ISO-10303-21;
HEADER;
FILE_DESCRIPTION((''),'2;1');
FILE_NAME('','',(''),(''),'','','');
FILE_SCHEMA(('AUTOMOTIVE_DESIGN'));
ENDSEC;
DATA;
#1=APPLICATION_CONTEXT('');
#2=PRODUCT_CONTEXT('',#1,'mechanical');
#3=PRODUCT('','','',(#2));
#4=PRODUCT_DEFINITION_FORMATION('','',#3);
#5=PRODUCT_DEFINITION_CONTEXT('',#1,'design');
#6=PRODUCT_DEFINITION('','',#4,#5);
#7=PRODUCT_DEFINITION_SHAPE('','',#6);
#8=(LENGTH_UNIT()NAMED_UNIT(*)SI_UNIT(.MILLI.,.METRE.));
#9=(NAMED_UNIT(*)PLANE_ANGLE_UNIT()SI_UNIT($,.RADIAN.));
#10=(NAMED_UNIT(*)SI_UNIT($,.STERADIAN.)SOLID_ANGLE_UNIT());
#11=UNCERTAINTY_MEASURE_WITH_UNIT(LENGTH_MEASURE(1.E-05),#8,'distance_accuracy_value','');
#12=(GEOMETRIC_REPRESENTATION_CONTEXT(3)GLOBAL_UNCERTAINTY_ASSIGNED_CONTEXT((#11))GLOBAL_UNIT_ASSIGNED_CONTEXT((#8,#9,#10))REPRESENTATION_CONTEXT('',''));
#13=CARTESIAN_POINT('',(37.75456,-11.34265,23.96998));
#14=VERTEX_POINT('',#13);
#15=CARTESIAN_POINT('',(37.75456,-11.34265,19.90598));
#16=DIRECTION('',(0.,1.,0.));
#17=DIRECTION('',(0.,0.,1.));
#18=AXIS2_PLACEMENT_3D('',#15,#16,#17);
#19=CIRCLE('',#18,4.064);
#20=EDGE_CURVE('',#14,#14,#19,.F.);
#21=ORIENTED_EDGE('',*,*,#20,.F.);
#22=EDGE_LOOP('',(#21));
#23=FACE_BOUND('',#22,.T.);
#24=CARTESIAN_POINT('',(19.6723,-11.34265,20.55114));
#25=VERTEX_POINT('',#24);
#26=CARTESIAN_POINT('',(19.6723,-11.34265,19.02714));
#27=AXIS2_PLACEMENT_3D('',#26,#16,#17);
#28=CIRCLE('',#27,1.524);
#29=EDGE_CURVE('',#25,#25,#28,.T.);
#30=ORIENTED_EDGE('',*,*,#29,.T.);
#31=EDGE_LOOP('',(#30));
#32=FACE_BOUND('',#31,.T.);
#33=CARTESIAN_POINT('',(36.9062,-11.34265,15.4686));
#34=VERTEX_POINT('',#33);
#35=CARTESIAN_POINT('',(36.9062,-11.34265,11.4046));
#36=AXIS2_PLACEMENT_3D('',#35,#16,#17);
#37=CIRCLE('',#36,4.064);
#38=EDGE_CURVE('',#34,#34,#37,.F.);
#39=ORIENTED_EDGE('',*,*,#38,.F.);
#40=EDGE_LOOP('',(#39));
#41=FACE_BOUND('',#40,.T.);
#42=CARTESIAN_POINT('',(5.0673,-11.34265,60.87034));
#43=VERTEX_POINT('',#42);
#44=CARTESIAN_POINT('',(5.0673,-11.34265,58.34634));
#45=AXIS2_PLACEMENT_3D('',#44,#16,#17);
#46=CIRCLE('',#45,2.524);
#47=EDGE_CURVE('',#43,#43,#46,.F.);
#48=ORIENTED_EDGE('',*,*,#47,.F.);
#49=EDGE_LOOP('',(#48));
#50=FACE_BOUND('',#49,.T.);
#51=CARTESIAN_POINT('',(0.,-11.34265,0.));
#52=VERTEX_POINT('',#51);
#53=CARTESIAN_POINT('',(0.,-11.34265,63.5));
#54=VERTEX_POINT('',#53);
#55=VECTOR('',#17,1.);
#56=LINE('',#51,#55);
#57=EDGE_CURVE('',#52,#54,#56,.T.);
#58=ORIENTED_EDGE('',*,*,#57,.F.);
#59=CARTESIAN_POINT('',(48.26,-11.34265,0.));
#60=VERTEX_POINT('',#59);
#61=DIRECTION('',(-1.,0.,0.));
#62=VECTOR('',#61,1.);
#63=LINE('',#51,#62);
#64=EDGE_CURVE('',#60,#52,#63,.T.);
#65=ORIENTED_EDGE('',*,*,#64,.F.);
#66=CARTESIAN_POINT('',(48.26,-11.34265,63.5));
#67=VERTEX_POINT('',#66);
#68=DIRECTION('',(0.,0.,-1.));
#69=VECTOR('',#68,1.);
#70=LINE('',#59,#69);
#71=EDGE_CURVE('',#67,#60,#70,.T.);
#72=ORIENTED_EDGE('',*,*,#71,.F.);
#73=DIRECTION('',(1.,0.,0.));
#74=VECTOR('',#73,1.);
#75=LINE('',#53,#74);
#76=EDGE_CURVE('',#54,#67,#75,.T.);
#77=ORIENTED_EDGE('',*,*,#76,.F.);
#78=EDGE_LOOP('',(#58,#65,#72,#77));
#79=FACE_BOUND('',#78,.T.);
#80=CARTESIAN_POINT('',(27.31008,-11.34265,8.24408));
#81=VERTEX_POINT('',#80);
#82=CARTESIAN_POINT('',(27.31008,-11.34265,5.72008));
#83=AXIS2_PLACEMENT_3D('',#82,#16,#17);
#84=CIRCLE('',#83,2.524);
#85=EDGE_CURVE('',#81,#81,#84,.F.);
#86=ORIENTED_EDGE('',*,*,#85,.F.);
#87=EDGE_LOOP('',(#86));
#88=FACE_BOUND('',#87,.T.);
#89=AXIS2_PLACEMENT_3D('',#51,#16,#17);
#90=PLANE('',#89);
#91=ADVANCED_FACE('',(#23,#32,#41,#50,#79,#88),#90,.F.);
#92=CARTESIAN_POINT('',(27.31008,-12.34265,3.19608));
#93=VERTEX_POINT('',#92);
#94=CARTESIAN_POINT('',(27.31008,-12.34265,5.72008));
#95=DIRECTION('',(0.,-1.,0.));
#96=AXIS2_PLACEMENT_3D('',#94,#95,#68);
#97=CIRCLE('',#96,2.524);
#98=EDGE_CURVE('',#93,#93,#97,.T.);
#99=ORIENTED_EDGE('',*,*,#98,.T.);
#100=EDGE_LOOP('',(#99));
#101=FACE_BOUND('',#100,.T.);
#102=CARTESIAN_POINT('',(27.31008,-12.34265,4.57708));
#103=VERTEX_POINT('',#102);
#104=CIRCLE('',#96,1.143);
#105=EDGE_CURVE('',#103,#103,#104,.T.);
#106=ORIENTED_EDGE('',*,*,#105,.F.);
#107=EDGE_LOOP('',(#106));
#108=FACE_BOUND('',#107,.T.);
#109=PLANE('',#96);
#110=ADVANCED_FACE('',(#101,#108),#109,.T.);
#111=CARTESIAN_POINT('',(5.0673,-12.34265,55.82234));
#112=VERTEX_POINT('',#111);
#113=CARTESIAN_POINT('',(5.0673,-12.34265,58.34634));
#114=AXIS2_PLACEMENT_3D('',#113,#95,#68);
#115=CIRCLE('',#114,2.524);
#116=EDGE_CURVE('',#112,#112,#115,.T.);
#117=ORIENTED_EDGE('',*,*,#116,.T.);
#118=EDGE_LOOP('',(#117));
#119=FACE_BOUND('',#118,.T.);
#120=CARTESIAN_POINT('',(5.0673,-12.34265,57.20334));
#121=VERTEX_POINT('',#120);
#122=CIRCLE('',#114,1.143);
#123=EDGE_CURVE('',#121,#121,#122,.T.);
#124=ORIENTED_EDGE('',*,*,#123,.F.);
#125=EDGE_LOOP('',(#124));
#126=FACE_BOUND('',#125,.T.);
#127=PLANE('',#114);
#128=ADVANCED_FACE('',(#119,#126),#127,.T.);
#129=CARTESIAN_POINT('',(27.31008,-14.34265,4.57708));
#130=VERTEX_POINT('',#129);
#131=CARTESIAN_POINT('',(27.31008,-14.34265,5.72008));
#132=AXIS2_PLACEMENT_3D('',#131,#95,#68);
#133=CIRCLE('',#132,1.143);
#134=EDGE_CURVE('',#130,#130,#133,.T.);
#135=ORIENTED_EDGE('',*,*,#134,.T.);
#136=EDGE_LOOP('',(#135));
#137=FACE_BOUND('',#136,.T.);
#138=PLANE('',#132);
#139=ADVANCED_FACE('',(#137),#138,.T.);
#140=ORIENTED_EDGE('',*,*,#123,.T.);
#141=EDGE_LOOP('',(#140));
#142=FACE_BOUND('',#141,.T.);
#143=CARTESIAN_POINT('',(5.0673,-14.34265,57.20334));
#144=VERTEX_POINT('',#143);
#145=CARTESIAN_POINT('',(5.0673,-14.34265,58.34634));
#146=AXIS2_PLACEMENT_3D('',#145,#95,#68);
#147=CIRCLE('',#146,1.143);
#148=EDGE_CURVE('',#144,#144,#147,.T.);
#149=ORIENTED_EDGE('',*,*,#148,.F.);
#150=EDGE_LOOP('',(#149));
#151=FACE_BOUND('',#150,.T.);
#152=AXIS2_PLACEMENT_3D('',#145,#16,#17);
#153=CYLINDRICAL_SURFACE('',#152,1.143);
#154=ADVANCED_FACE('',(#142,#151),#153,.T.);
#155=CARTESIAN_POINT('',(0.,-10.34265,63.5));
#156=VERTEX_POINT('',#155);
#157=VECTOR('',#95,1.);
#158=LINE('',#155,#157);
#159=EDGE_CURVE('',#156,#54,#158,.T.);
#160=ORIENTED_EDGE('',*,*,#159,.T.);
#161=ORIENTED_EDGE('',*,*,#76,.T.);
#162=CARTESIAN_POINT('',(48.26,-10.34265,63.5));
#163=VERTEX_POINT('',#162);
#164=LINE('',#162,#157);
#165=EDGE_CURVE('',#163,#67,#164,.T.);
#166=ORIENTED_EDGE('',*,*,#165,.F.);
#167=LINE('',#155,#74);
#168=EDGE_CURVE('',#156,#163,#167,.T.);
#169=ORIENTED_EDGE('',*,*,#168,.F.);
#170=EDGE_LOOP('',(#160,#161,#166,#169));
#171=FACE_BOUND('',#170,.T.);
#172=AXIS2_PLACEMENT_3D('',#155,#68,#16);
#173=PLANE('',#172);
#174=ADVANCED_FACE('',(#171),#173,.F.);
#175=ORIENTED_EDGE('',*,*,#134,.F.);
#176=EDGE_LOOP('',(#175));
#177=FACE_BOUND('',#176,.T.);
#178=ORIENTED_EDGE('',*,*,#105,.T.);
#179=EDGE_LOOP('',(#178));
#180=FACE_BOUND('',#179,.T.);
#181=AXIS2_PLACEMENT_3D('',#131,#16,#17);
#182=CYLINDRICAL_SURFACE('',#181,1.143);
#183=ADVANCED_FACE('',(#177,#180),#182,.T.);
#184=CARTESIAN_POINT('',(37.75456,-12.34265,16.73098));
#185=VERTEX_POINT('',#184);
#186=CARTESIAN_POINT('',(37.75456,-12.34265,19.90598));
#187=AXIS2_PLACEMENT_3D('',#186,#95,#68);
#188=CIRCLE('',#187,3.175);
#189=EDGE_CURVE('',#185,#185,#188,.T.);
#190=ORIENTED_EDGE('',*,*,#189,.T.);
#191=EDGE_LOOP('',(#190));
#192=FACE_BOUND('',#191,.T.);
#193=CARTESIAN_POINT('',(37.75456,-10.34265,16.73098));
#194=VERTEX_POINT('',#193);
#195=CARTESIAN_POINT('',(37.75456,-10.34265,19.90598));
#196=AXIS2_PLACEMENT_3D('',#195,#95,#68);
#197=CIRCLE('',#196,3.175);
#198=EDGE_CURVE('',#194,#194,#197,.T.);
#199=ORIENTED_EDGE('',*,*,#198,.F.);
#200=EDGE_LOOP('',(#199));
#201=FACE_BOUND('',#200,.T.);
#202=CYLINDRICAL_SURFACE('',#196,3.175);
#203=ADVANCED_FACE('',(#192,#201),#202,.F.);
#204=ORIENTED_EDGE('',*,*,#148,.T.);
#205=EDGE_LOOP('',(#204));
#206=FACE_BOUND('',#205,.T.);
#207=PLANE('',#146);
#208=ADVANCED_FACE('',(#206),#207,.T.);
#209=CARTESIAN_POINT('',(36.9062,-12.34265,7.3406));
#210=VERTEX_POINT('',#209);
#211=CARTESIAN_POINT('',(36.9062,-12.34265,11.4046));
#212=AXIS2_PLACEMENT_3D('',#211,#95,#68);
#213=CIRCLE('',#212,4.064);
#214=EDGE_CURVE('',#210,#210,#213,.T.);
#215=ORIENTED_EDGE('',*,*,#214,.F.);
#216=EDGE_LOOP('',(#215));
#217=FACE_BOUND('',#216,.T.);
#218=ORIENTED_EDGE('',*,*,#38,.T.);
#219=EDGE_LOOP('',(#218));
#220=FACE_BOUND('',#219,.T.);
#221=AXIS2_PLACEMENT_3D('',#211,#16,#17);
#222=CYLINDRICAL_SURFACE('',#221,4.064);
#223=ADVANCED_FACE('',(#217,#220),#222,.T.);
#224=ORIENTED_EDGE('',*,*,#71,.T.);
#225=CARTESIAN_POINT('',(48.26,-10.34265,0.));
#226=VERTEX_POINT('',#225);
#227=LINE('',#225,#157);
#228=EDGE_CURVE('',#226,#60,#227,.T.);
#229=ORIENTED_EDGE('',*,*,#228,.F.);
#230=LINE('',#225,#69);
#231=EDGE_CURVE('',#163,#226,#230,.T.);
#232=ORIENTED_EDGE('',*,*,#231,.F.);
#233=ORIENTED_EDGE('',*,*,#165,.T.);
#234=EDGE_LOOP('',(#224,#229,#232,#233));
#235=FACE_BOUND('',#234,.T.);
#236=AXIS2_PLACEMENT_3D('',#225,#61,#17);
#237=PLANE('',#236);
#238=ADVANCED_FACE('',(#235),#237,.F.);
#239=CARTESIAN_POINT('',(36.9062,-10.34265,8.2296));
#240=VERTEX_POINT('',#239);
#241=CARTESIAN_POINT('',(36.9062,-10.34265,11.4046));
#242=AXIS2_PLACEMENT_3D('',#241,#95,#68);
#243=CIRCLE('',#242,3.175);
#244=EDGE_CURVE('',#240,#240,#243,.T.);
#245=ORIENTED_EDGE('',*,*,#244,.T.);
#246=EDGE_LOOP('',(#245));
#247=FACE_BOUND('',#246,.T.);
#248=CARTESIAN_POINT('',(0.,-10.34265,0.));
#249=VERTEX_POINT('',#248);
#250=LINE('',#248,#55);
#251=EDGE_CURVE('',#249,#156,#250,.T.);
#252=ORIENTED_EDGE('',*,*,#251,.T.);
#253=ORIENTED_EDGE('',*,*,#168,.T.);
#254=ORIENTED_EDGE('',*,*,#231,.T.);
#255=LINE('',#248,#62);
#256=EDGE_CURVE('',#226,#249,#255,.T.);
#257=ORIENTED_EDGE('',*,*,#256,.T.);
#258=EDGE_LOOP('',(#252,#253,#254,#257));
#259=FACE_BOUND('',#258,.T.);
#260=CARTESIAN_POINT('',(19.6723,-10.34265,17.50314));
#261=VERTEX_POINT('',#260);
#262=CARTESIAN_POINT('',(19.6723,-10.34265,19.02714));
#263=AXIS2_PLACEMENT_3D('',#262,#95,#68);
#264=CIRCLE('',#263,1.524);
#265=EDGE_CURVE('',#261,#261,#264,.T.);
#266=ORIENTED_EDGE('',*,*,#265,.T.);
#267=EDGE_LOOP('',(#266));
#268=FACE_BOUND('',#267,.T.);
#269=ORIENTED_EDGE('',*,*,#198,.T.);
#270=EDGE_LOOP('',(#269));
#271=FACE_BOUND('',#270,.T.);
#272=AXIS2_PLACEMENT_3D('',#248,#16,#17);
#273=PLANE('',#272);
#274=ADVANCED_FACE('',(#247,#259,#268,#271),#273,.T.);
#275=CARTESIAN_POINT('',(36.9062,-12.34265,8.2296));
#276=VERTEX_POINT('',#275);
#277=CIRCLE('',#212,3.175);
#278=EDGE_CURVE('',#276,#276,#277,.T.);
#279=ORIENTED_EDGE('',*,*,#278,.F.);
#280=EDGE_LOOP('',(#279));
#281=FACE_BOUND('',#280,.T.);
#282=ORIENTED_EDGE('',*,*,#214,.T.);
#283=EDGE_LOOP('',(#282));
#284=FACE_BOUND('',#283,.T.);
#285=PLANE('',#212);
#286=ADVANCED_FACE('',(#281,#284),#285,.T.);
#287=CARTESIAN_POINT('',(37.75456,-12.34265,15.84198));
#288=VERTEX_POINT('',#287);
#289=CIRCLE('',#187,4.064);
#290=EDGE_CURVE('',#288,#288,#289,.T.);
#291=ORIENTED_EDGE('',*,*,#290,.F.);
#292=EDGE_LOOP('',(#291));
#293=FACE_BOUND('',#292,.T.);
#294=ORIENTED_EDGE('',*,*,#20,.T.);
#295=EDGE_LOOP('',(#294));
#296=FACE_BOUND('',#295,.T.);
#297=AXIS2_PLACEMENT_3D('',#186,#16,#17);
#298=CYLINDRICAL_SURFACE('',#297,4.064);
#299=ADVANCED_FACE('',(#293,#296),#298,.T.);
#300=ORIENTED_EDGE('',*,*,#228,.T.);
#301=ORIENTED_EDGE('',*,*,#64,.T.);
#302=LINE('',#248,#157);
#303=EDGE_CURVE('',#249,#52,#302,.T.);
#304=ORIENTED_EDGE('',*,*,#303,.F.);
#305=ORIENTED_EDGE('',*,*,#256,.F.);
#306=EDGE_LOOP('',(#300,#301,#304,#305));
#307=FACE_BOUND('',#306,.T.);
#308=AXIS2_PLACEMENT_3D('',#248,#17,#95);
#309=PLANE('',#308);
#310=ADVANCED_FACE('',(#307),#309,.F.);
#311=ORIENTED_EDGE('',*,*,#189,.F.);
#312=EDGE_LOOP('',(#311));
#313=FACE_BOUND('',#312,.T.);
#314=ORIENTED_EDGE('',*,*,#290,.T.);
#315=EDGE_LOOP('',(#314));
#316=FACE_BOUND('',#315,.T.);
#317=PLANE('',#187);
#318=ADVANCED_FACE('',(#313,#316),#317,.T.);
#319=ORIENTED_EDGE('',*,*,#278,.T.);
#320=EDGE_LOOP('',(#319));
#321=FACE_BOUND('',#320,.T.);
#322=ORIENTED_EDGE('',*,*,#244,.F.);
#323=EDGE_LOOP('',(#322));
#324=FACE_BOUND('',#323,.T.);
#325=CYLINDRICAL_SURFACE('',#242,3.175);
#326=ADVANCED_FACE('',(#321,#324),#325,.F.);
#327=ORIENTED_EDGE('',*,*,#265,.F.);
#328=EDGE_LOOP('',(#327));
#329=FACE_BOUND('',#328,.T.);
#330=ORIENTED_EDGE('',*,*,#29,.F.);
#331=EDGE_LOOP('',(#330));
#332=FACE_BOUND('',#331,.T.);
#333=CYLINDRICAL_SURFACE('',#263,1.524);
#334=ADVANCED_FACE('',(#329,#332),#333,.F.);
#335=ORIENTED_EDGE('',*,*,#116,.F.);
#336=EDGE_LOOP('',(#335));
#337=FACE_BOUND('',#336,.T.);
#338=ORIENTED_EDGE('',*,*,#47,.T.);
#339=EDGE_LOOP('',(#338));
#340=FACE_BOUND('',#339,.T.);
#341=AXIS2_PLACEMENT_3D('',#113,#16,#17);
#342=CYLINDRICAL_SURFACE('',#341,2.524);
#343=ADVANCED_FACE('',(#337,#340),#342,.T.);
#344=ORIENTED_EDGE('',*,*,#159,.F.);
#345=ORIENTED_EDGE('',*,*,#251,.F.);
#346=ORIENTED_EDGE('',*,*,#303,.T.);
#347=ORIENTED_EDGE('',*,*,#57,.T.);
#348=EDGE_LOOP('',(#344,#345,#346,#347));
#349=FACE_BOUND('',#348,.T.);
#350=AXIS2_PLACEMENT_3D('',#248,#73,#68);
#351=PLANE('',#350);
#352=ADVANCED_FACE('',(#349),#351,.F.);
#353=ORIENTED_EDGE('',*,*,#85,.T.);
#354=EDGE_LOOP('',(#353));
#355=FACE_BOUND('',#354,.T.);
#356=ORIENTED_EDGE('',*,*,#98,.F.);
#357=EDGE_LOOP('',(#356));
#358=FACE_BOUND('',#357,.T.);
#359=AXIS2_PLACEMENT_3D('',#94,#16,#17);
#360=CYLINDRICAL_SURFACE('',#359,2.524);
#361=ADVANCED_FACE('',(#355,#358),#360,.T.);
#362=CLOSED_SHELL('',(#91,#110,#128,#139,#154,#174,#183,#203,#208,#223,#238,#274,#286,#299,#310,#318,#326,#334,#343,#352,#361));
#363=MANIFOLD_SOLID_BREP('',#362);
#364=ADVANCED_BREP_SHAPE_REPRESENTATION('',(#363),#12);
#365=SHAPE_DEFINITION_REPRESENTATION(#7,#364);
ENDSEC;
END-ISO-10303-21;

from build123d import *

# Parameters (mm, degrees)
SKETCH1_W               = 48.26
SKETCH1_H               = 63.5
BOSS_EXTRUDE1_DEPTH     = 1
SKETCH3_R               = 1.143
BOSS_EXTRUDE2_DEPTH     = 3
SKETCH4_R               = 2.524
SKETCH4_R_2             = 4.064
BOSS_EXTRUDE3_DEPTH     = 1
CUT_EXTRUDE1_DEPTH      = 80.814018819
CUT_EXTRUDE1_DEPTH_BACK = 80.814018819
SKETCH2_R               = 3.175
SKETCH2_R_2             = 1.524


with BuildPart() as part:
    # Sketch1 → Boss-Extrude1 (new body)
    with BuildSketch(Plane(origin=(0, -11.34264997, 0), x_dir=(1, 0, 0), z_dir=(0, 1, 0))):
        with Locations((24.13, -31.75)):
            Rectangle(SKETCH1_W, SKETCH1_H)
    extrude(amount=BOSS_EXTRUDE1_DEPTH)

    # Sketch3 → Boss-Extrude2 (add)
    with BuildSketch(Plane.XZ.offset(11.34264997)):
        with Locations(Location((5.0673, 58.34634, 0), (0, 0, 90))):
            Circle(SKETCH3_R)
        with Locations(Location((27.31008, 5.72008, 0), (0, 0, 90))):
            Circle(SKETCH3_R)
    extrude(amount=BOSS_EXTRUDE2_DEPTH)

    # Sketch4 → Boss-Extrude3 (add)
    with BuildSketch(Plane.XZ.offset(11.34264997)):
        with Locations(Location((5.0673, 58.34634, 0), (0, 0, 90))):
            Circle(SKETCH4_R)
        with Locations(Location((37.75456, 19.90598, 0), (0, 0, 90))):
            Circle(SKETCH4_R_2)
        with Locations(Location((36.9062, 11.4046, 0), (0, 0, 90))):
            Circle(SKETCH4_R_2)
        with Locations(Location((27.31008, 5.72008, 0), (0, 0, 90))):
            Circle(SKETCH4_R)
    extrude(amount=BOSS_EXTRUDE3_DEPTH)

    # Sketch2 → Cut-Extrude1 (cut, two sides: drawn at the far end of the back side and taken through both)
    with BuildSketch(Plane.XZ.offset(11.34264997).offset(-CUT_EXTRUDE1_DEPTH_BACK)):
        with Locations(Location((37.75456, 19.90598, 0), (0, 0, 270))):
            Circle(SKETCH2_R)
        with Locations(Location((36.9062, 11.4046, 0), (0, 0, 270))):
            Circle(SKETCH2_R)
        with Locations(Location((19.6723, 19.02714, 0), (0, 0, 270))):
            Circle(SKETCH2_R_2)
    extrude(amount=CUT_EXTRUDE1_DEPTH + CUT_EXTRUDE1_DEPTH_BACK, mode=Mode.SUBTRACT)


solid = part.part
